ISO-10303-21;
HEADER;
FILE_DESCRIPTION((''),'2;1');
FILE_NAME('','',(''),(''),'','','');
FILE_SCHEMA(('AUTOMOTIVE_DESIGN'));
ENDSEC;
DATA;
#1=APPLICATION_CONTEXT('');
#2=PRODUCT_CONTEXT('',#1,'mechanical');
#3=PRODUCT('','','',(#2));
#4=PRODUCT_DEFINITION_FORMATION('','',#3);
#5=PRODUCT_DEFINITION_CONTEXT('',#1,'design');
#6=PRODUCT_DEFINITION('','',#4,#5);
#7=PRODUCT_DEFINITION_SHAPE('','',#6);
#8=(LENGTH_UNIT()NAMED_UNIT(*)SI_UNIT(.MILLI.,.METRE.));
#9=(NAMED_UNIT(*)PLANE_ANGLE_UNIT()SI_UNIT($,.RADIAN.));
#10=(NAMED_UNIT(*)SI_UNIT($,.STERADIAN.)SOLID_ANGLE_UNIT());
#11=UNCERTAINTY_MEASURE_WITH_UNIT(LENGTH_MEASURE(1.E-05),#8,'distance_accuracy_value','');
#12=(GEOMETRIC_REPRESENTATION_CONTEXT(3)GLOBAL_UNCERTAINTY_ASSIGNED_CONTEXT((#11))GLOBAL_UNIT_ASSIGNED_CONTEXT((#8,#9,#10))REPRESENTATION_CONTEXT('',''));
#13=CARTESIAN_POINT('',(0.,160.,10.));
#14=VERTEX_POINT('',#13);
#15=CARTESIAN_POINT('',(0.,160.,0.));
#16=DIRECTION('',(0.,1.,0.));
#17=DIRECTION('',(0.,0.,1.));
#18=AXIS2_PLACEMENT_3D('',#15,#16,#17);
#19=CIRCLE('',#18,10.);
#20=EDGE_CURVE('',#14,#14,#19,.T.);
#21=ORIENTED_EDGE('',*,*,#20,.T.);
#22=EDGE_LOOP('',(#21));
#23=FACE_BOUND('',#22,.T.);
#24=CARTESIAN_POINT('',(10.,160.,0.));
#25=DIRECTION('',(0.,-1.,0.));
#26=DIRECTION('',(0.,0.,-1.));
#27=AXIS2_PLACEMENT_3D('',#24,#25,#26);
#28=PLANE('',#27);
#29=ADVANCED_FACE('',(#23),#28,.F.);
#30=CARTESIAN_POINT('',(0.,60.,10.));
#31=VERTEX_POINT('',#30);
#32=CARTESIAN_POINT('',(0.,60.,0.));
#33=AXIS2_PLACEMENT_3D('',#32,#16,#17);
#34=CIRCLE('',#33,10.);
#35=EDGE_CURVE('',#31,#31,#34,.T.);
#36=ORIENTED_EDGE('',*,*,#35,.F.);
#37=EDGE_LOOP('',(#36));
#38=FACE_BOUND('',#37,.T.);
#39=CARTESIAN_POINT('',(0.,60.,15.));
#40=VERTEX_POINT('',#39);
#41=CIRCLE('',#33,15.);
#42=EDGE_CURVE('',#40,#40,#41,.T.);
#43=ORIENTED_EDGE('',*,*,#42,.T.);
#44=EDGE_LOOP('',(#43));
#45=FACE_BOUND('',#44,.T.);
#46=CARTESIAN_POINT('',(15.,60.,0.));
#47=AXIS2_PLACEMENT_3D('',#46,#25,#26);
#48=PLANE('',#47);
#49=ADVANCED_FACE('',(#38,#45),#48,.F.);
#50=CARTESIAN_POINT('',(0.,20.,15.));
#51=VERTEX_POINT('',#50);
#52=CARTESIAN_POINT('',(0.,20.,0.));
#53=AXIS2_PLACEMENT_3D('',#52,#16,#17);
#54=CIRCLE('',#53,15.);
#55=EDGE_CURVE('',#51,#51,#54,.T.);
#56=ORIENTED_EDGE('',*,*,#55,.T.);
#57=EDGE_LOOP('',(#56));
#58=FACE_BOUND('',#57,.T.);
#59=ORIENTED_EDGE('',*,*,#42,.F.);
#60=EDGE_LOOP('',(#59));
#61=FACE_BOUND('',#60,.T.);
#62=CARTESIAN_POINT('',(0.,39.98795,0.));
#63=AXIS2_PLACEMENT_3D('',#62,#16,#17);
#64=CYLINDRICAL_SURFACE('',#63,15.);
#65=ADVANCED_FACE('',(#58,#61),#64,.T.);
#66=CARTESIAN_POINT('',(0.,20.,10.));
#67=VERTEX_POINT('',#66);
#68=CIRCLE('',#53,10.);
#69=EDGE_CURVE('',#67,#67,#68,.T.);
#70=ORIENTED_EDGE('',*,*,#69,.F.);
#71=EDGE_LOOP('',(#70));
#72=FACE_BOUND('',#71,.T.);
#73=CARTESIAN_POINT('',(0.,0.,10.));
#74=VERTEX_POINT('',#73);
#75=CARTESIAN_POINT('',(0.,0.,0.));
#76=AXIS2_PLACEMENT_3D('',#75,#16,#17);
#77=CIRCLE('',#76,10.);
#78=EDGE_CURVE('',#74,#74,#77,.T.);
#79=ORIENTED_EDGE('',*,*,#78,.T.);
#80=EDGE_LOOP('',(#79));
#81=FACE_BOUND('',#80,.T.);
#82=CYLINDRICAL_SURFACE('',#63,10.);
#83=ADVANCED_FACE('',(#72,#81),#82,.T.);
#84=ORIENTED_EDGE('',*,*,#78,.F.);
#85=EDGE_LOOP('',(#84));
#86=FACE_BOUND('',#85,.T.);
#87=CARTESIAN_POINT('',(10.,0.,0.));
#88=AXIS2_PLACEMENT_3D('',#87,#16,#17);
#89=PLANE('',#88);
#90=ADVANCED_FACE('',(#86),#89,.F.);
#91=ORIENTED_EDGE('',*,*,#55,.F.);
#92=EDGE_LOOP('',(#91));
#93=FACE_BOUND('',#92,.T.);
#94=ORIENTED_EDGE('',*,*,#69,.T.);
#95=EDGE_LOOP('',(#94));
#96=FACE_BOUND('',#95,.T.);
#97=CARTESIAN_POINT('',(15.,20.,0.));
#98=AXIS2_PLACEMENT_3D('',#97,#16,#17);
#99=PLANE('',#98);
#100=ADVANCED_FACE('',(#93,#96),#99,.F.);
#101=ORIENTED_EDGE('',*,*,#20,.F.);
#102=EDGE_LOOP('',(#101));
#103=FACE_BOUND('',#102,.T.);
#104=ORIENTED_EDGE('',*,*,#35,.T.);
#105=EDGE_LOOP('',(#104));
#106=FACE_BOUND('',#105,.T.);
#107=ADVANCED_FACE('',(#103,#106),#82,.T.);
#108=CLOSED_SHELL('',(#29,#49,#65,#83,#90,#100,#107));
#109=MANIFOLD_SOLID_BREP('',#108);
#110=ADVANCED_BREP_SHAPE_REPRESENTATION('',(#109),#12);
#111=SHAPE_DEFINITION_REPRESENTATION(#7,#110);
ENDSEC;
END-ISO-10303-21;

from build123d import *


with BuildPart() as part:
    # Sketch1 → Revolve1 (revolve)
    with BuildSketch(Plane.XY, mode=Mode.PRIVATE) as revolve1_sk:
        Polygon((15, 60), (15, 20), (10, 20), (10, 0), (0, 0), (0, 160), (10, 160), (10, 60), align=None)
    revolve(revolve1_sk.sketch.rotate(Axis((0, 39.987949733, 0), (0, -1, 0)), 90), axis=Axis((0, 39.987949733, 0), (0, -1, 0)))


solid = part.part
